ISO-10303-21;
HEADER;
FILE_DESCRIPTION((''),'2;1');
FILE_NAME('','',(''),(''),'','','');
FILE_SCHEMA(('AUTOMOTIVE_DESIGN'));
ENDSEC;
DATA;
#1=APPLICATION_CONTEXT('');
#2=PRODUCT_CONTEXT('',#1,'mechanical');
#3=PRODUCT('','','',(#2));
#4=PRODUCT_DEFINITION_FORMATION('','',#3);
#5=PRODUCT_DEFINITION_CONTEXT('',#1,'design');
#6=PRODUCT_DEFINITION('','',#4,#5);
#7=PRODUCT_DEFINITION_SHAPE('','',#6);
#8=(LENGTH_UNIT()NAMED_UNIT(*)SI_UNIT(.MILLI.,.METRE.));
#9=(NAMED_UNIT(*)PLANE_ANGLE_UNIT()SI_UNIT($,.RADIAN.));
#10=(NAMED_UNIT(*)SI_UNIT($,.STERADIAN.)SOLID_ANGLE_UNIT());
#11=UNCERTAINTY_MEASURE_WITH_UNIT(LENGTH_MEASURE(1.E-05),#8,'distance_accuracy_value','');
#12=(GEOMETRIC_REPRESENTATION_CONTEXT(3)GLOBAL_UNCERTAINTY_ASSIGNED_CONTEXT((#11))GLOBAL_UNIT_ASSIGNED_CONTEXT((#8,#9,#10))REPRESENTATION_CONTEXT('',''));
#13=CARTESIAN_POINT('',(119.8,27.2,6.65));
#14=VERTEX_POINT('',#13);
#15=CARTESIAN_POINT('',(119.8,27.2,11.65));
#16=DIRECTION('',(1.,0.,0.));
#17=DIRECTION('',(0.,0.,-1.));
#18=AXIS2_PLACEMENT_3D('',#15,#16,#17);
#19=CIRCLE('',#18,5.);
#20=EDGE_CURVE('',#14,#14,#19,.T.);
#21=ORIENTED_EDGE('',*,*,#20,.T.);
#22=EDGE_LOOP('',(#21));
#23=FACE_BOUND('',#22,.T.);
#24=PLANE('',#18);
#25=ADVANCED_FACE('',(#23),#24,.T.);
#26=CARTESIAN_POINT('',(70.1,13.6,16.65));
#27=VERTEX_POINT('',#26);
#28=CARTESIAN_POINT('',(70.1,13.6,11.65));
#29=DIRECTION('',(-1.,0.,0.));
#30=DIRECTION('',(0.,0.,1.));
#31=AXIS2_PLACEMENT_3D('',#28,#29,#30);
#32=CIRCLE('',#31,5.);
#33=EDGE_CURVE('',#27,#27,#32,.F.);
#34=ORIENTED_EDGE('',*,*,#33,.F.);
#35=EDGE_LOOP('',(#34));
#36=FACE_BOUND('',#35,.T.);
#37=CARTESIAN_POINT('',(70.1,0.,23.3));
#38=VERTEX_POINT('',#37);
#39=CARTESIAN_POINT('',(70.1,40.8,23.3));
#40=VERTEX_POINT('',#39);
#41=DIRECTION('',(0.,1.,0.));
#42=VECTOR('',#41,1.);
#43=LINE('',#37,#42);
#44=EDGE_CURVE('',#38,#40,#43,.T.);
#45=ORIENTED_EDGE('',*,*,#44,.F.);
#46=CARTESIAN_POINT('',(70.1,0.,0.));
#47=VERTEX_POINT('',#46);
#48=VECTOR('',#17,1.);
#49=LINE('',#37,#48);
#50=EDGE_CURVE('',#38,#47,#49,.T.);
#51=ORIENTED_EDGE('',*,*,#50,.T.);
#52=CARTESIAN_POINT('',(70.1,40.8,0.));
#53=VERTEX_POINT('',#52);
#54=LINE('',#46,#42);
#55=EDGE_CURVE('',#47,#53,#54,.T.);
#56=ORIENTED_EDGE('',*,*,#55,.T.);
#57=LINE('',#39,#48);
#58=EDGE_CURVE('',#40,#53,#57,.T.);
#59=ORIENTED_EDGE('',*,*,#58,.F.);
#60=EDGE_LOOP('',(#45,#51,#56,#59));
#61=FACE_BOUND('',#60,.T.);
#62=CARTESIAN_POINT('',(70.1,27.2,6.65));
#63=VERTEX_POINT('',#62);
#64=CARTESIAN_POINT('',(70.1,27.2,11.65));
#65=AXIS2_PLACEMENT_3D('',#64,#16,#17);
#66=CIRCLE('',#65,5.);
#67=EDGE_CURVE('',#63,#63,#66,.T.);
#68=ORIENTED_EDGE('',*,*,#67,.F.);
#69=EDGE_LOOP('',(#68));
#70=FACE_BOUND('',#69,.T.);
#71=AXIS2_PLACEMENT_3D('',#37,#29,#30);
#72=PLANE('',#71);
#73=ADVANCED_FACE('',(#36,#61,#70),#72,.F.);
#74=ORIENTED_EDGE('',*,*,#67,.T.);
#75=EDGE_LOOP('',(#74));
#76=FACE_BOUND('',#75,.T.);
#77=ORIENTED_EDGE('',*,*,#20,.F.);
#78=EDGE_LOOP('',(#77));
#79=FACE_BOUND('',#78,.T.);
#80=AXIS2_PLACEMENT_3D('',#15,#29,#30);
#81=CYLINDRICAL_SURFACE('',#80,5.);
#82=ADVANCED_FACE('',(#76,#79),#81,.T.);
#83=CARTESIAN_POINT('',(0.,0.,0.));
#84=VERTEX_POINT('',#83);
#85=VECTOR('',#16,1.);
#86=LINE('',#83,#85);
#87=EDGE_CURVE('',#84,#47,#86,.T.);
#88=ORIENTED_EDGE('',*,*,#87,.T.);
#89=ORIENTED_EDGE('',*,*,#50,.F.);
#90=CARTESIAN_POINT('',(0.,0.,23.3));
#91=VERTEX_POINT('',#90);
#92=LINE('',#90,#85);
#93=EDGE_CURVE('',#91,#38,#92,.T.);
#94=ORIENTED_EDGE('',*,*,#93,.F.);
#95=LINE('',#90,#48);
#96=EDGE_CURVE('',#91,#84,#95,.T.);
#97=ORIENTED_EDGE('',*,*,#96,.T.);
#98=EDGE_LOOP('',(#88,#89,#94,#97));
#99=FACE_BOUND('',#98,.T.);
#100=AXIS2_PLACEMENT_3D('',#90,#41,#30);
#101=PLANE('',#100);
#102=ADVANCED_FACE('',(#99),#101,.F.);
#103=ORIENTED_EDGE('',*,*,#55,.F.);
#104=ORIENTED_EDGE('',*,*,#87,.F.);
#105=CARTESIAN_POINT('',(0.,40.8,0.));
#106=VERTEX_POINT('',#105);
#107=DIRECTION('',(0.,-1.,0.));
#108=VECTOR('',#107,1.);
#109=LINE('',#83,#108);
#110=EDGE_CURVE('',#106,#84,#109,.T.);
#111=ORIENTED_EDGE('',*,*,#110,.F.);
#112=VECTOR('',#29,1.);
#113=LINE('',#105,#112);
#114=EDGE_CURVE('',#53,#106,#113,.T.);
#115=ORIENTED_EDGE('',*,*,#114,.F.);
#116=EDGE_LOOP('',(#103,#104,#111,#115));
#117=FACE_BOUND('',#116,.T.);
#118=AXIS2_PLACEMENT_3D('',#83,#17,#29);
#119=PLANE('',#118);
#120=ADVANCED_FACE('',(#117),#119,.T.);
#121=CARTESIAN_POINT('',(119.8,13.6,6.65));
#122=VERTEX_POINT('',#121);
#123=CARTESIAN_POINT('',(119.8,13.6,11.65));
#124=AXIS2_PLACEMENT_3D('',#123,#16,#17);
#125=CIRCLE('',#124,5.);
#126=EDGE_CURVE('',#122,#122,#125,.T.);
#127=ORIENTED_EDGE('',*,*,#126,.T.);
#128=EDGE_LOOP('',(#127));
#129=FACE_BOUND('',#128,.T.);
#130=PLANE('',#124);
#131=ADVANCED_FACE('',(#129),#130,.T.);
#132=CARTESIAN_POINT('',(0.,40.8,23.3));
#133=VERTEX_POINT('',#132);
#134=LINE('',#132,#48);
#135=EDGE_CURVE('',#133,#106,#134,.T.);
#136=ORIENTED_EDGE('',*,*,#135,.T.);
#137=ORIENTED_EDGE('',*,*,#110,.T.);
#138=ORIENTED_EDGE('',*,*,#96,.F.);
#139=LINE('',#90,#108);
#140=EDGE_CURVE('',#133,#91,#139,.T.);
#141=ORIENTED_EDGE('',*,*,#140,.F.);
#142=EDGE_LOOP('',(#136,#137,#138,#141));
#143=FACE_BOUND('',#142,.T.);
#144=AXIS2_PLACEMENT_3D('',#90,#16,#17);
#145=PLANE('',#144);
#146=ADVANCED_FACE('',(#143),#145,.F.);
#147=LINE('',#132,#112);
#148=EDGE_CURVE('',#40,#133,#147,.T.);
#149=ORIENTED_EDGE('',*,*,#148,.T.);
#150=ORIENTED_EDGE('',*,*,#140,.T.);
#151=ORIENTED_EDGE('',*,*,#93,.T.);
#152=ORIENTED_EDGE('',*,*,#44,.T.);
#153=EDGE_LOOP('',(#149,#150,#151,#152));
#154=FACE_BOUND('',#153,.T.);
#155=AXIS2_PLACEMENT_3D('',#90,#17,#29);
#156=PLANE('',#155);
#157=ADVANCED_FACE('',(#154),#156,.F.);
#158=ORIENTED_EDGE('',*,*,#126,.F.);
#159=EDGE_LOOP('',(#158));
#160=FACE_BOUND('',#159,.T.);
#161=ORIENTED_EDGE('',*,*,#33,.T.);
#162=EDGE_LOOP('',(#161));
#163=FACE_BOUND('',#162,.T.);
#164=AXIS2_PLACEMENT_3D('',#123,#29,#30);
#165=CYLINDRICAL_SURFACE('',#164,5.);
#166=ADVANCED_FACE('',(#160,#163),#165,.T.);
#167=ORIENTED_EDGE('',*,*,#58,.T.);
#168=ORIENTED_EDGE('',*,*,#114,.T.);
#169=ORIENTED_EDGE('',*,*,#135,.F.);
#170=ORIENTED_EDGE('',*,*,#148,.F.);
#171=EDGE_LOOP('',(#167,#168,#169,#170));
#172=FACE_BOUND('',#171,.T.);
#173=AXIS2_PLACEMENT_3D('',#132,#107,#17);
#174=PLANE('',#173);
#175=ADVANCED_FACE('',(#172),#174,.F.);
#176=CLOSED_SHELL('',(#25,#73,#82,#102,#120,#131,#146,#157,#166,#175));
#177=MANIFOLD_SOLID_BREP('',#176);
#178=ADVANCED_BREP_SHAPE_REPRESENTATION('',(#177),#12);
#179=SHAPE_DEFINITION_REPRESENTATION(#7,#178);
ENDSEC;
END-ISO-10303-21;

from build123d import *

# Parameters (mm, degrees)
SKETCH1_W           = 70.1
SKETCH1_H           = 40.8
BOSS_EXTRUDE1_DEPTH = 23.3
SKETCH2_R           = 5
BOSS_EXTRUDE2_DEPTH = 49.7


with BuildPart() as part:
    # Sketch1 → Boss-Extrude1 (new body)
    with BuildSketch(Plane.XY):
        with Locations((35.05, 20.4)):
            Rectangle(SKETCH1_W, SKETCH1_H)
    extrude(amount=BOSS_EXTRUDE1_DEPTH)

    # Sketch2 → Boss-Extrude2 (add)
    with BuildSketch(Plane(origin=(70.1, 0, 0), x_dir=(0, 0, -1), z_dir=(1, 0, 0))):
        with Locations((-11.65, 27.2)):
            Circle(SKETCH2_R)
        with Locations(Location((-11.65, 13.6, 0), (0, 0, 180))):
            Circle(SKETCH2_R)
    extrude(amount=BOSS_EXTRUDE2_DEPTH)


solid = part.part
